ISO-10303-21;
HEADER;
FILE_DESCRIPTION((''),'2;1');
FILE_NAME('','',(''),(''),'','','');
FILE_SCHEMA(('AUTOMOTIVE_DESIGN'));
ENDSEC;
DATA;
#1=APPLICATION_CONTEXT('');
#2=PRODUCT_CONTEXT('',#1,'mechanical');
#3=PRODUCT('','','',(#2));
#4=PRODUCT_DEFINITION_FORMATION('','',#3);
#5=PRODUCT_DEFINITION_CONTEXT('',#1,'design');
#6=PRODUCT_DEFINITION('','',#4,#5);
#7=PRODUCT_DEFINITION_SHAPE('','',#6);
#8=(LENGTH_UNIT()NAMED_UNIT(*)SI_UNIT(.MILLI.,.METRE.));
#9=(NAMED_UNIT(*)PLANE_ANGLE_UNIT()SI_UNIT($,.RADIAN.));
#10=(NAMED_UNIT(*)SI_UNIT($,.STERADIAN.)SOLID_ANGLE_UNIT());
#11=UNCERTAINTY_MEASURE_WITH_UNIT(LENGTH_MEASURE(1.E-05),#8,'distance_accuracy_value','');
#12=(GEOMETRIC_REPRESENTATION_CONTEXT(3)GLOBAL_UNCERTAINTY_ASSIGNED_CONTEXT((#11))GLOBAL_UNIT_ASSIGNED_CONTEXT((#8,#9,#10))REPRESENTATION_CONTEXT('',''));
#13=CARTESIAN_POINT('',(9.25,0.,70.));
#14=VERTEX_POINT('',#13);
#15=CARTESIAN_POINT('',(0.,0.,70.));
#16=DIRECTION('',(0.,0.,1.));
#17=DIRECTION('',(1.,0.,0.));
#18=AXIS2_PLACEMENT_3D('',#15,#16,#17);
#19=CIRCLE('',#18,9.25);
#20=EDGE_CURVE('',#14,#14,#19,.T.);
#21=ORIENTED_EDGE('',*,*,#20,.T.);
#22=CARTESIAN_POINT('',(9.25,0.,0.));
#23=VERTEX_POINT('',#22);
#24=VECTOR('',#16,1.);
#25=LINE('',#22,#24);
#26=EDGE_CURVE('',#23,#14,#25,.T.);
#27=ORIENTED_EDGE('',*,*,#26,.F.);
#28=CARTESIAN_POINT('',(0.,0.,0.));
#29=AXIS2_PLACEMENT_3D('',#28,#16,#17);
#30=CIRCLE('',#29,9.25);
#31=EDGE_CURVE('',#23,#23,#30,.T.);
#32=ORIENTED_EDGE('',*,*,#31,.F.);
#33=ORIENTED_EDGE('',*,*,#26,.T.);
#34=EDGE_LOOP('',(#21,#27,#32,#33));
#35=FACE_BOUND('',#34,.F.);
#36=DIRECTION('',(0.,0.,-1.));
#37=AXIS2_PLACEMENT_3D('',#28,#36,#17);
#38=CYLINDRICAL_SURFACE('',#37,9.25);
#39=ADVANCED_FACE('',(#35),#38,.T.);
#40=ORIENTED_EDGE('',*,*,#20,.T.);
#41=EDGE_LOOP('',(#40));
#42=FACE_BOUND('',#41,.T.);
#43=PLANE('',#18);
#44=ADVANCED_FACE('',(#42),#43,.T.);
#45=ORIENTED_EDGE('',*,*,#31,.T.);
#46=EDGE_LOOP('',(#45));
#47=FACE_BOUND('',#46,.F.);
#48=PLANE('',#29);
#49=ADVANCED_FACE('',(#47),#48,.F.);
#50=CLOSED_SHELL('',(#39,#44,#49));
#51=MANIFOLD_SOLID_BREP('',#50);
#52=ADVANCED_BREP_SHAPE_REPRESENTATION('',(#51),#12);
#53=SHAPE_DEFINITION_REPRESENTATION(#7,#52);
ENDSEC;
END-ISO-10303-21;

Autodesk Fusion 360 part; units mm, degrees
sketch "Sketch1" plane through (0, 0, 0) normal (0, 0, 1) x (1, 0, 0)
  circle A0 centre (0, 0) radius 9.25
  dimension "d1" = 18.5
extrude "Extrude1" add sketch "Sketch1" along normal blind 70
ref_plane "WorkPlane1" through (9.25, 0, 0) normal (1, 0, 0) x (0, 1, 0)
sketch "Sketch2" plane through (9.25, 0, 0) normal (1, 0, 0) x (0, 1, 0)
  line L0 (0, 0) -> (0, 70) construction
  point P0 (0, 35)
equation "d8 = ( 18.5 / 2 ) * 1 mm"
